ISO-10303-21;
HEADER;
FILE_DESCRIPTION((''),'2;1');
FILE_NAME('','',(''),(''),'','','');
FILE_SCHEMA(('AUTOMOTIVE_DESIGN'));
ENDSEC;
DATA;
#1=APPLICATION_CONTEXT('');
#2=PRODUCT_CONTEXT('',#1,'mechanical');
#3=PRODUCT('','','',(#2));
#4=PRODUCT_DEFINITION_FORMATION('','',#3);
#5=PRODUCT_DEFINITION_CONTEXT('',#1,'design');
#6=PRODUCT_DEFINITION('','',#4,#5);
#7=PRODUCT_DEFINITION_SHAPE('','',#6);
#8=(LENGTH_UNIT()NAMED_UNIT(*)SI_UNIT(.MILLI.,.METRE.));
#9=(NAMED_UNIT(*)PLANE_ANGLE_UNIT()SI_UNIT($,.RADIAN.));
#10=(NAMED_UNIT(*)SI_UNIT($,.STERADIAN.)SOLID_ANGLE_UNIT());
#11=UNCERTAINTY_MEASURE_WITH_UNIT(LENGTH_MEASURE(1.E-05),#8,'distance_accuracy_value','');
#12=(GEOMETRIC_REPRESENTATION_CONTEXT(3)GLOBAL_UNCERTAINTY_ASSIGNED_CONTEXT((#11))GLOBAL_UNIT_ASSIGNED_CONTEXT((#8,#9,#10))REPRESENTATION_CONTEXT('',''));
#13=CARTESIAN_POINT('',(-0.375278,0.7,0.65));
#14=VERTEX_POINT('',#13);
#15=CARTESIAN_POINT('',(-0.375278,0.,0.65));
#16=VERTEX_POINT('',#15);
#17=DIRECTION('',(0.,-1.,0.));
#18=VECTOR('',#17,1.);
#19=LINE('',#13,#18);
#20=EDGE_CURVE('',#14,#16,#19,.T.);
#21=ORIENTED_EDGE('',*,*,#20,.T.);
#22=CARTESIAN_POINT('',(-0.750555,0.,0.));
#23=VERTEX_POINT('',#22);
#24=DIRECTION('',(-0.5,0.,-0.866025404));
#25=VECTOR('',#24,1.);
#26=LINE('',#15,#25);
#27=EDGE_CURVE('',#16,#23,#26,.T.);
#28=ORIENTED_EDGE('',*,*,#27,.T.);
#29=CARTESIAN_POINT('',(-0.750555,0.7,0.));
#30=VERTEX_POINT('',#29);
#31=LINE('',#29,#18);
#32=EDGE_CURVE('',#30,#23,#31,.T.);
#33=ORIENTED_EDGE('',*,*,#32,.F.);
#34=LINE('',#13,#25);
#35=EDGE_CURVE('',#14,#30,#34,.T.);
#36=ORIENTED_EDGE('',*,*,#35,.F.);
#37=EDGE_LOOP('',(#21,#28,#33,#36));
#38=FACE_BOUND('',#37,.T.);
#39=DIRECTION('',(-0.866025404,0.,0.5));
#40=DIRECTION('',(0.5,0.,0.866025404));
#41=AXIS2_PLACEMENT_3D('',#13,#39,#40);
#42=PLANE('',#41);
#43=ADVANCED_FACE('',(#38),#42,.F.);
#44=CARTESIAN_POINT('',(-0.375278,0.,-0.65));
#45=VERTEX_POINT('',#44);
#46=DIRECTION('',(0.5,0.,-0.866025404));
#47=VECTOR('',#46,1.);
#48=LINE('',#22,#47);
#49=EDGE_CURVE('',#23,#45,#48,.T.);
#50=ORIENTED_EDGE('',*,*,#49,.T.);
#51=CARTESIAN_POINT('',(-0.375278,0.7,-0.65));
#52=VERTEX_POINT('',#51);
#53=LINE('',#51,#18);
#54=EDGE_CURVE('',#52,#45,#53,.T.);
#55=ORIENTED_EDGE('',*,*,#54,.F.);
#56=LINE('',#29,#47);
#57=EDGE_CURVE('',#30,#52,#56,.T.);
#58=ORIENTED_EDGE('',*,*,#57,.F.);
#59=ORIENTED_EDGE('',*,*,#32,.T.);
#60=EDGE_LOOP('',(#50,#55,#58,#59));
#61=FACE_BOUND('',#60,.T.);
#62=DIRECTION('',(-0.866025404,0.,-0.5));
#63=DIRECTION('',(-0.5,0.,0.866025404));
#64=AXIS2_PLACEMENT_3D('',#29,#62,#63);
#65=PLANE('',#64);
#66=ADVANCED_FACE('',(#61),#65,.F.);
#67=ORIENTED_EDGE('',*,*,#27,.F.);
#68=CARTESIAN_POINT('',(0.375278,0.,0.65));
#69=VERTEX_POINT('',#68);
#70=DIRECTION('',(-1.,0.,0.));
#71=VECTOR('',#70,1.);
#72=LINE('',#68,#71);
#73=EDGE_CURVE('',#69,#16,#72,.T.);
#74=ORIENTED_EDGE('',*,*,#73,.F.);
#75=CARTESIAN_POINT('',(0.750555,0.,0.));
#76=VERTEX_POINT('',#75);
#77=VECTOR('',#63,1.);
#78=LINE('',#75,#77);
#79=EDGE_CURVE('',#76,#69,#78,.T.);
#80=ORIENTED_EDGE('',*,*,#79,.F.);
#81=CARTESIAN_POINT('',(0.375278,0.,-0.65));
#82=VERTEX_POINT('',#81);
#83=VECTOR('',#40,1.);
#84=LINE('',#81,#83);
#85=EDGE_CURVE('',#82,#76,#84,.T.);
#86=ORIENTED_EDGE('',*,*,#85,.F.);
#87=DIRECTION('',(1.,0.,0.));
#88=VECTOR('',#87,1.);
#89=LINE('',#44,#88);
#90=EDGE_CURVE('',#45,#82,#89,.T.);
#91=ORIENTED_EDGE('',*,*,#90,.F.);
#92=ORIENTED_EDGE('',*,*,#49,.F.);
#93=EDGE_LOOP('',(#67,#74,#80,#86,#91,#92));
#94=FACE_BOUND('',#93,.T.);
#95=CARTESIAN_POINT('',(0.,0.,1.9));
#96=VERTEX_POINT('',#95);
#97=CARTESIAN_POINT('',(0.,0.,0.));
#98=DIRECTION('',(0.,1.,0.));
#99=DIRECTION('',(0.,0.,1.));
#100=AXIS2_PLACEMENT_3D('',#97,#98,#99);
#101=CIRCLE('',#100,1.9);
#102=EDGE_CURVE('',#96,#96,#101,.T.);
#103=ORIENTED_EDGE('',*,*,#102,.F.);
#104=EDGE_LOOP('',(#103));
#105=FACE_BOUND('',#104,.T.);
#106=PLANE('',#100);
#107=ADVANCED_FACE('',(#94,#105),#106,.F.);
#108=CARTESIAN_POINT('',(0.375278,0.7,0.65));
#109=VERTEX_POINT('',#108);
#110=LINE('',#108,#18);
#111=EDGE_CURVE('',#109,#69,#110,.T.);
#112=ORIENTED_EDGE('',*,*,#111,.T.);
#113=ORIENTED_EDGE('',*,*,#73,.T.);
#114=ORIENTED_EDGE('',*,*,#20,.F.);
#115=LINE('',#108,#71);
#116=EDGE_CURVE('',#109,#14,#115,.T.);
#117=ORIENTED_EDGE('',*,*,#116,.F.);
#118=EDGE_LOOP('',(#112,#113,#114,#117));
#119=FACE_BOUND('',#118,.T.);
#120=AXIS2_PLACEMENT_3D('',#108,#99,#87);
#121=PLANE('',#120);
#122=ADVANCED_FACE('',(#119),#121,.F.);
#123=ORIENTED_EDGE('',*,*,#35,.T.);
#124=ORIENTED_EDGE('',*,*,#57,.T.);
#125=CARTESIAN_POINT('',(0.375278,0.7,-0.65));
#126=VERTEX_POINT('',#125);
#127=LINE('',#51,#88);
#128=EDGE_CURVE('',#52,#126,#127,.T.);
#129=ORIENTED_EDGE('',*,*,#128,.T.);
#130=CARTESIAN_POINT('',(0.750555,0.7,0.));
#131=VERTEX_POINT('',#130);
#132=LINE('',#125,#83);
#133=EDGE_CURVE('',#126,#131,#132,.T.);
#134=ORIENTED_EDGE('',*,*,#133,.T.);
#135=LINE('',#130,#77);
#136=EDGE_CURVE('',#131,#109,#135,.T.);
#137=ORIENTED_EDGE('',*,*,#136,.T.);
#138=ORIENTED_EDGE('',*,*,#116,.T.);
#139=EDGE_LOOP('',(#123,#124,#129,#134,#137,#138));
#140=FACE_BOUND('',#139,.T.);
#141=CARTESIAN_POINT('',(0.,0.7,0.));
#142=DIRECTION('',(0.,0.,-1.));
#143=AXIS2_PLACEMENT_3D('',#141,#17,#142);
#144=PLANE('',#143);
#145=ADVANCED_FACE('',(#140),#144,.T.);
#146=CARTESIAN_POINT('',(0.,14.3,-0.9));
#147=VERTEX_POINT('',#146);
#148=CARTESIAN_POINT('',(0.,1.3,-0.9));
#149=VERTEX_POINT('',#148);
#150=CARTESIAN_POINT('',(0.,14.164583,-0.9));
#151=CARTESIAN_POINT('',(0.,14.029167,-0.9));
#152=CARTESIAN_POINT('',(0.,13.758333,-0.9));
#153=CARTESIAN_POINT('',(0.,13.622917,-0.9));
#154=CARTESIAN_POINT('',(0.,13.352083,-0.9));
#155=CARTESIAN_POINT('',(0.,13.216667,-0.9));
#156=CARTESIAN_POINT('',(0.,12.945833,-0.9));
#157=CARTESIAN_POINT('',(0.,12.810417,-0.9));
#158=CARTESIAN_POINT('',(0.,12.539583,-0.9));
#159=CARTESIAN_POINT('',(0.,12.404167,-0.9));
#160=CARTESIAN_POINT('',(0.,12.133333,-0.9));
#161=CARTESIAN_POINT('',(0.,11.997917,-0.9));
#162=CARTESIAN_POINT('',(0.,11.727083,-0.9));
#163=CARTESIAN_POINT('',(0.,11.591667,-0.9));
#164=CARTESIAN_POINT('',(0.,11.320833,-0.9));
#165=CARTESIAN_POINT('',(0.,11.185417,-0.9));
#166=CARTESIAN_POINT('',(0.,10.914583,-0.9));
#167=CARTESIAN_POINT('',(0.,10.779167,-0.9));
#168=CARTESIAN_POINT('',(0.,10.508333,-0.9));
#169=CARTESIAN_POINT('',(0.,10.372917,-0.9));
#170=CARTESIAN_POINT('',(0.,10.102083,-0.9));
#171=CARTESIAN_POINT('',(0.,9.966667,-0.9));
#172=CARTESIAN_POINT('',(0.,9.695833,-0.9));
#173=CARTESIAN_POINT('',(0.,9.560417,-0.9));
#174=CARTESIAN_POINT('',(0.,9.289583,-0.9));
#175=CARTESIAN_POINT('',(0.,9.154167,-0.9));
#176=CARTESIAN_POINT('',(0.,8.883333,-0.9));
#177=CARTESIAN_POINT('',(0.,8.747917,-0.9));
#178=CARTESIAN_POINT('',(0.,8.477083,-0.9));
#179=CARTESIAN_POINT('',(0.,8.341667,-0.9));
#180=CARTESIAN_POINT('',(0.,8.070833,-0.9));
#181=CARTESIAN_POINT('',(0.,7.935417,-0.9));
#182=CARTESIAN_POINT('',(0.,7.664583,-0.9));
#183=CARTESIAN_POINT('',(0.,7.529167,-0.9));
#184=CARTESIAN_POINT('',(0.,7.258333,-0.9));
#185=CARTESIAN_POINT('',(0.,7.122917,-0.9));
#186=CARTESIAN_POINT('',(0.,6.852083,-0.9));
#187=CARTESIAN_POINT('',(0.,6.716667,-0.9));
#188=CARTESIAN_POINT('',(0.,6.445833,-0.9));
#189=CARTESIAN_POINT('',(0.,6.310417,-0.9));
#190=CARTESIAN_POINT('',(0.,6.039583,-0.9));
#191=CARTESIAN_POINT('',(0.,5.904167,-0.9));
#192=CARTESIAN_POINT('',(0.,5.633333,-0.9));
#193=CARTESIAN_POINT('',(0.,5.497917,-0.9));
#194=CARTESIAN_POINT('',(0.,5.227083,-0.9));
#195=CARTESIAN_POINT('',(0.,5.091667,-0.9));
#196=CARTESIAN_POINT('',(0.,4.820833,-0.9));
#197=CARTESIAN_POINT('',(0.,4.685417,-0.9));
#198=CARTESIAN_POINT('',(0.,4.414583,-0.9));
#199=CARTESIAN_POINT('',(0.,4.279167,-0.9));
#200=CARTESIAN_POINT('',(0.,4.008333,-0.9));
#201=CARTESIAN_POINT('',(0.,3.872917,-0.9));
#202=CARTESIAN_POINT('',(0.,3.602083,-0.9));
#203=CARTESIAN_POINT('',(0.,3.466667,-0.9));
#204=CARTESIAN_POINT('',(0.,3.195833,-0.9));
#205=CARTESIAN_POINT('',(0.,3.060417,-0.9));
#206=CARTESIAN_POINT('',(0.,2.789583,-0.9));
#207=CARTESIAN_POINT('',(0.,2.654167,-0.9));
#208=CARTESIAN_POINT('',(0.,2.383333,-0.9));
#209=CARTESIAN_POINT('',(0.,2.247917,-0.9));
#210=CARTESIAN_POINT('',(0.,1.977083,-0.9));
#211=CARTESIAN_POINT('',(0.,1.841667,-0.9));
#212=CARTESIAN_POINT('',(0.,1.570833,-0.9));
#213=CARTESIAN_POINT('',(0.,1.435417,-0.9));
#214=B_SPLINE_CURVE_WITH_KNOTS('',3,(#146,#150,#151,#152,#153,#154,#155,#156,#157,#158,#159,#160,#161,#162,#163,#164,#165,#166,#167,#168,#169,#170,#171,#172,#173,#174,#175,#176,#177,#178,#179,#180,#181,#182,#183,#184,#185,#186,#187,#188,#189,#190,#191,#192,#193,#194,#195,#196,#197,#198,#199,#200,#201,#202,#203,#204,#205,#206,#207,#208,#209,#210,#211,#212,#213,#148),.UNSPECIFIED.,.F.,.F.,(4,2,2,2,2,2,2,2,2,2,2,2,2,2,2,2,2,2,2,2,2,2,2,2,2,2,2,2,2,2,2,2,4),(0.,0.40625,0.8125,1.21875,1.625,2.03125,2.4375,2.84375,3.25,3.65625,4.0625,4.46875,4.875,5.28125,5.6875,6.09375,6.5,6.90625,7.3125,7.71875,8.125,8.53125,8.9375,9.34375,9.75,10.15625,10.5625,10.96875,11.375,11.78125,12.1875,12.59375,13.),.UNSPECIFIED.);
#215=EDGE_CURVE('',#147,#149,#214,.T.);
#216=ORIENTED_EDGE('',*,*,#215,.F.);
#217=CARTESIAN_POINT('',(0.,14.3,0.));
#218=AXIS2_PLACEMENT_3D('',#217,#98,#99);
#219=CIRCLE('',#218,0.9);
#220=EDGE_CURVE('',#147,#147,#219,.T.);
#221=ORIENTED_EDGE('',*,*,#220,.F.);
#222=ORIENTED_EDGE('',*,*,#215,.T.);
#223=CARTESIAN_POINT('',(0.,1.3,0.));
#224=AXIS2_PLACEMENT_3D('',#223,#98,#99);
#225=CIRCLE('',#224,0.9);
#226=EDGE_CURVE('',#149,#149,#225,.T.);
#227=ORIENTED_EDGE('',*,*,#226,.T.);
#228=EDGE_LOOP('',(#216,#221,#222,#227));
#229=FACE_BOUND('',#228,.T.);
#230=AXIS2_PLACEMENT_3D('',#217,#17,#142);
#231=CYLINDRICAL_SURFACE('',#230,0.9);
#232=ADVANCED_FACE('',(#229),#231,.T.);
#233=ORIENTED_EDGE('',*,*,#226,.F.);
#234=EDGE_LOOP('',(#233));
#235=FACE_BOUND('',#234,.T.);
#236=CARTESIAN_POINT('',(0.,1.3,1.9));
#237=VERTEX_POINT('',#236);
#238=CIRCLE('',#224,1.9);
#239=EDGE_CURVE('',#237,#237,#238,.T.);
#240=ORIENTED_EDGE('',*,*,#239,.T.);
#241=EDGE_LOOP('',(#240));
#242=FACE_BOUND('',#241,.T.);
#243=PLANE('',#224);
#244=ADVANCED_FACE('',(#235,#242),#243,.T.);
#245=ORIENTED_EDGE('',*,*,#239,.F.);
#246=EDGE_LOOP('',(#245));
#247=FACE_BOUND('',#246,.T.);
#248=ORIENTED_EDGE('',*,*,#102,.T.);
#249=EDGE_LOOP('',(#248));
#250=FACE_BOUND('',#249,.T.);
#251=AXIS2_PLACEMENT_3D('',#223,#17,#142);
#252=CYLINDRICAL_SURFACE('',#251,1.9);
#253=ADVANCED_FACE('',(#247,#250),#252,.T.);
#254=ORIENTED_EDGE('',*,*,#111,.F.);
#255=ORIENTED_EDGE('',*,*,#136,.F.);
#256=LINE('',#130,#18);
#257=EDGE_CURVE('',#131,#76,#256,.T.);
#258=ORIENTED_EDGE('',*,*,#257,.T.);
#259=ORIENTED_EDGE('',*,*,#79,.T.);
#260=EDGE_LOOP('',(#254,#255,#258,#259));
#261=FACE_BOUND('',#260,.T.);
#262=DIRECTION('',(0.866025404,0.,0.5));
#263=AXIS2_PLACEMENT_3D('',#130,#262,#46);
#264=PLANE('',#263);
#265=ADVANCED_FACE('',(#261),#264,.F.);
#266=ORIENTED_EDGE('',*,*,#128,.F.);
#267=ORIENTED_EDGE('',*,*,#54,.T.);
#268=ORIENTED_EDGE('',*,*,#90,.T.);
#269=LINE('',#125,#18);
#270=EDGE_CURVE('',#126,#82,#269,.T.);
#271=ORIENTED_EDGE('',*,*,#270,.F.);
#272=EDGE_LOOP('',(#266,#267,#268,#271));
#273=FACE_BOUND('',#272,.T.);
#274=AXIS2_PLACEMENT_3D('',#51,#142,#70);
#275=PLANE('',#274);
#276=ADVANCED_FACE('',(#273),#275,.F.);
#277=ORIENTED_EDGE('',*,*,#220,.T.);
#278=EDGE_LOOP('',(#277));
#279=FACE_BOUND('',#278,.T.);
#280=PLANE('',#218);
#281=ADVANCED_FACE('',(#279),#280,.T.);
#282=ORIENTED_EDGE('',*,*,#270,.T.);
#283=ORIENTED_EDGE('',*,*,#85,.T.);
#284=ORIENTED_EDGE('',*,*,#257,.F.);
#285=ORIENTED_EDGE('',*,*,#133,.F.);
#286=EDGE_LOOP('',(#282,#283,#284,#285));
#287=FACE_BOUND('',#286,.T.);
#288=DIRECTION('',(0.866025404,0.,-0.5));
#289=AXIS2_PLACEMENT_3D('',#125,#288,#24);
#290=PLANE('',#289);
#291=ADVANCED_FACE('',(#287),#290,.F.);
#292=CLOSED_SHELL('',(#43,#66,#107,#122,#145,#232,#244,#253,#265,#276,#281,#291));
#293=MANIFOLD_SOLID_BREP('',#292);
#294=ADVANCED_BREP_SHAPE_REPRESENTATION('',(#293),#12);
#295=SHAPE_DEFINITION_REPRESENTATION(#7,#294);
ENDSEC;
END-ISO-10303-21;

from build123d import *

# Parameters (mm, degrees)
SKETCH2_R           = 1.9
BOSS_EXTRUDE1_DEPTH = 1.3
SKETCH3_R           = 0.9
BOSS_EXTRUDE2_DEPTH = 13
CUT_EXTRUDE1_DEPTH  = 0.7


with BuildPart() as part:
    # Sketch2 → Boss-Extrude1 (new body)
    with BuildSketch(Plane(origin=(0, 0, 0), x_dir=(1, 0, 0), z_dir=(0, 1, 0))):
        with Locations(Location((0, 0, 0), (0, 0, 270))):
            Circle(SKETCH2_R)
    extrude(amount=BOSS_EXTRUDE1_DEPTH)

    # Sketch3 → Boss-Extrude2 (add)
    with BuildSketch(Plane(origin=(0, 1.3, 0), x_dir=(1, 0, 0), z_dir=(0, 1, 0))):
        with Locations(Location((0, 0, 0), (0, 0, 90))):
            Circle(SKETCH3_R)
    extrude(amount=BOSS_EXTRUDE2_DEPTH)

    # Sketch4 → Cut-Extrude1 (cut)
    with BuildSketch(Plane.XZ):
        Polygon((0.75055535, 0), (0.375277675, 0.65), (-0.375277675, 0.65), (-0.75055535, 0), (-0.375277675, -0.65), (0.375277675, -0.65), align=None)
    extrude(amount=-CUT_EXTRUDE1_DEPTH, mode=Mode.SUBTRACT)


solid = part.part
